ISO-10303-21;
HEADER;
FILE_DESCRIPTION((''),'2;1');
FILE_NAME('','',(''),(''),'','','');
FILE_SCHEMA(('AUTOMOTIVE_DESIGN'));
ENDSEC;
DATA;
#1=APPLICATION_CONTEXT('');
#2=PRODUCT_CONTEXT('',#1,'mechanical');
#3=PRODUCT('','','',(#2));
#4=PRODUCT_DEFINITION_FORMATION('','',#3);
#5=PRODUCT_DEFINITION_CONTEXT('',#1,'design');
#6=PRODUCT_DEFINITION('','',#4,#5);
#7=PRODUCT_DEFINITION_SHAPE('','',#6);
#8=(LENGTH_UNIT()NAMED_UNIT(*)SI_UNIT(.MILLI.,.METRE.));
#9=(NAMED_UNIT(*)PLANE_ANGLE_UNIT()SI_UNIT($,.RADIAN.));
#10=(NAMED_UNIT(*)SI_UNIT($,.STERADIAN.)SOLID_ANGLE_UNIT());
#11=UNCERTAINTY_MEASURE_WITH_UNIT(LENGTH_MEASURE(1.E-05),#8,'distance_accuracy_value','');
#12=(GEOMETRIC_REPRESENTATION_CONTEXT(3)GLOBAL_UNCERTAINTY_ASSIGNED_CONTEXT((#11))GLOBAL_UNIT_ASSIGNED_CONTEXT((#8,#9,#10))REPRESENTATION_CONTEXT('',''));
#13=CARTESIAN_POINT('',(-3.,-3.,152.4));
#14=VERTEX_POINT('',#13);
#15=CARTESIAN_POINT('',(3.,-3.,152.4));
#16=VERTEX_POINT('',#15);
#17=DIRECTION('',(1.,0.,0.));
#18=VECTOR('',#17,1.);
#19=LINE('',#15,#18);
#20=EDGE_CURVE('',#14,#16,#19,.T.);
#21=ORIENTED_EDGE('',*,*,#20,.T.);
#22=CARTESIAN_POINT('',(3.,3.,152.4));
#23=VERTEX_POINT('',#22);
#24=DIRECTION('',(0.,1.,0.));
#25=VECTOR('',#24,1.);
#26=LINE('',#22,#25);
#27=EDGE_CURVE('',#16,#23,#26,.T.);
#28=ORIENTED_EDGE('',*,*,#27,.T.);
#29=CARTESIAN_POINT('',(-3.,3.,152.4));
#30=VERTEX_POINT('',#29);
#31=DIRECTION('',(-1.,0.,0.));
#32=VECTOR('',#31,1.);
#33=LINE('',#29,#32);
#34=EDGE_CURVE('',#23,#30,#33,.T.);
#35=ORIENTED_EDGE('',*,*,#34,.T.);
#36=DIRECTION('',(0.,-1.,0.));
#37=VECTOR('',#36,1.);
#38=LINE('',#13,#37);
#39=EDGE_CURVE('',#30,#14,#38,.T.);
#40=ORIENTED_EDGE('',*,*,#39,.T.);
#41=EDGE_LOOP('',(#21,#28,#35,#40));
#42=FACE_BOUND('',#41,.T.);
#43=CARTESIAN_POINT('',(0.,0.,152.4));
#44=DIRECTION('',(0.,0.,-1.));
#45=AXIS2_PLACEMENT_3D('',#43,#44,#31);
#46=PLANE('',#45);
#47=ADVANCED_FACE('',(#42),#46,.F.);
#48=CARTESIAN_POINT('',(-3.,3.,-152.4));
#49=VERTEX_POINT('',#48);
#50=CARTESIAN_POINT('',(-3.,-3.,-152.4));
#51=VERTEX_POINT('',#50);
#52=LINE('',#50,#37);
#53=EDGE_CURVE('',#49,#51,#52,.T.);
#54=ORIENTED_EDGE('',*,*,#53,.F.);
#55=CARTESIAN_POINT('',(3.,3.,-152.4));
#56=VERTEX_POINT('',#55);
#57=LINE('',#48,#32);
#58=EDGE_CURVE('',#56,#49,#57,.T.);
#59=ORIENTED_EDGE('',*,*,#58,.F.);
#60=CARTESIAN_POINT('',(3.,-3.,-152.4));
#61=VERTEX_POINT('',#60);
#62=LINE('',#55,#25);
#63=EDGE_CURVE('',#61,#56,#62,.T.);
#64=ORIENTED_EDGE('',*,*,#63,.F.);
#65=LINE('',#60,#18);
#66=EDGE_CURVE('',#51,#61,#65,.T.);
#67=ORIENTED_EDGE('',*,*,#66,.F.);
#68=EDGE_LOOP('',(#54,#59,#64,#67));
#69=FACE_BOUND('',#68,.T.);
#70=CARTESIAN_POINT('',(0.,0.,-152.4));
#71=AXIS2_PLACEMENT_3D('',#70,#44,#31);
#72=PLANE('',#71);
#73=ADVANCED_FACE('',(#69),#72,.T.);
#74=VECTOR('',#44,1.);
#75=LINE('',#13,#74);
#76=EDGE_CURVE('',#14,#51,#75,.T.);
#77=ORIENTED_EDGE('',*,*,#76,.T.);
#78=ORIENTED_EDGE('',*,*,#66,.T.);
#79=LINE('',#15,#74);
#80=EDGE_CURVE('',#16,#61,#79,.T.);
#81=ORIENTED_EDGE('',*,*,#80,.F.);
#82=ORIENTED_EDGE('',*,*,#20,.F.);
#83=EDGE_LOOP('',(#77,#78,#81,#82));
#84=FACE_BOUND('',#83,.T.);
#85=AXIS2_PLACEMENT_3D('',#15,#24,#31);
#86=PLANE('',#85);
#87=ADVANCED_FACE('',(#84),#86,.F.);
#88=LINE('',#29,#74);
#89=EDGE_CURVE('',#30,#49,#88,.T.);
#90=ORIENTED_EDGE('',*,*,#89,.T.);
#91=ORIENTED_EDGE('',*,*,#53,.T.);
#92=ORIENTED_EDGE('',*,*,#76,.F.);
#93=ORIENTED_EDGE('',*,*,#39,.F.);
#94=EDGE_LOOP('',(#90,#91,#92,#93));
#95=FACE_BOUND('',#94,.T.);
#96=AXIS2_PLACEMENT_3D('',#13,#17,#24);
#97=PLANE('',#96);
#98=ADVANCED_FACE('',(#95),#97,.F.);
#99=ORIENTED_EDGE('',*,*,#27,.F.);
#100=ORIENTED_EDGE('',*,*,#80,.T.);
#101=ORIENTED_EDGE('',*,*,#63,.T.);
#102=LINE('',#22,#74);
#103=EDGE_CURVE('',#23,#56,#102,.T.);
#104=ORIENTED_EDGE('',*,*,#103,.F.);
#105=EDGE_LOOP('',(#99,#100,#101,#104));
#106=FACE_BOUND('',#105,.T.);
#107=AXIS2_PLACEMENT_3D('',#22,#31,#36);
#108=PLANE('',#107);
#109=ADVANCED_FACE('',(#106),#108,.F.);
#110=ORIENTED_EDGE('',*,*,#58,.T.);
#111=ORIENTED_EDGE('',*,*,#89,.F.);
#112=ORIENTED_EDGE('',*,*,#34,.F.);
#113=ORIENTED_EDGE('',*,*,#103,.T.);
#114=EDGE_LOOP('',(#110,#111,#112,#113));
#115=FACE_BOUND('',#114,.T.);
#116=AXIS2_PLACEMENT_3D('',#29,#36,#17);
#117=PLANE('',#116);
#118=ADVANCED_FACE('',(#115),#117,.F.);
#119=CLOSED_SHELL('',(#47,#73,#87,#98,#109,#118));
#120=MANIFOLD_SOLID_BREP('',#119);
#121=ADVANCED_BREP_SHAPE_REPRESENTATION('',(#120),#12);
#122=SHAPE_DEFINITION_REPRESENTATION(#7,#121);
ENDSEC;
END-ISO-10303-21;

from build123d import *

# Parameters (mm, degrees)
SKETCH3_W           = 6
SKETCH3_H           = 6
BOSS_EXTRUDE1_DEPTH = 152.4


with BuildPart() as part:
    # Sketch3 → Boss-Extrude1 (new, symmetric)
    with BuildSketch(Plane.XY):
        Rectangle(SKETCH3_W, SKETCH3_H)
    extrude(amount=BOSS_EXTRUDE1_DEPTH, both=True)


solid = part.part
